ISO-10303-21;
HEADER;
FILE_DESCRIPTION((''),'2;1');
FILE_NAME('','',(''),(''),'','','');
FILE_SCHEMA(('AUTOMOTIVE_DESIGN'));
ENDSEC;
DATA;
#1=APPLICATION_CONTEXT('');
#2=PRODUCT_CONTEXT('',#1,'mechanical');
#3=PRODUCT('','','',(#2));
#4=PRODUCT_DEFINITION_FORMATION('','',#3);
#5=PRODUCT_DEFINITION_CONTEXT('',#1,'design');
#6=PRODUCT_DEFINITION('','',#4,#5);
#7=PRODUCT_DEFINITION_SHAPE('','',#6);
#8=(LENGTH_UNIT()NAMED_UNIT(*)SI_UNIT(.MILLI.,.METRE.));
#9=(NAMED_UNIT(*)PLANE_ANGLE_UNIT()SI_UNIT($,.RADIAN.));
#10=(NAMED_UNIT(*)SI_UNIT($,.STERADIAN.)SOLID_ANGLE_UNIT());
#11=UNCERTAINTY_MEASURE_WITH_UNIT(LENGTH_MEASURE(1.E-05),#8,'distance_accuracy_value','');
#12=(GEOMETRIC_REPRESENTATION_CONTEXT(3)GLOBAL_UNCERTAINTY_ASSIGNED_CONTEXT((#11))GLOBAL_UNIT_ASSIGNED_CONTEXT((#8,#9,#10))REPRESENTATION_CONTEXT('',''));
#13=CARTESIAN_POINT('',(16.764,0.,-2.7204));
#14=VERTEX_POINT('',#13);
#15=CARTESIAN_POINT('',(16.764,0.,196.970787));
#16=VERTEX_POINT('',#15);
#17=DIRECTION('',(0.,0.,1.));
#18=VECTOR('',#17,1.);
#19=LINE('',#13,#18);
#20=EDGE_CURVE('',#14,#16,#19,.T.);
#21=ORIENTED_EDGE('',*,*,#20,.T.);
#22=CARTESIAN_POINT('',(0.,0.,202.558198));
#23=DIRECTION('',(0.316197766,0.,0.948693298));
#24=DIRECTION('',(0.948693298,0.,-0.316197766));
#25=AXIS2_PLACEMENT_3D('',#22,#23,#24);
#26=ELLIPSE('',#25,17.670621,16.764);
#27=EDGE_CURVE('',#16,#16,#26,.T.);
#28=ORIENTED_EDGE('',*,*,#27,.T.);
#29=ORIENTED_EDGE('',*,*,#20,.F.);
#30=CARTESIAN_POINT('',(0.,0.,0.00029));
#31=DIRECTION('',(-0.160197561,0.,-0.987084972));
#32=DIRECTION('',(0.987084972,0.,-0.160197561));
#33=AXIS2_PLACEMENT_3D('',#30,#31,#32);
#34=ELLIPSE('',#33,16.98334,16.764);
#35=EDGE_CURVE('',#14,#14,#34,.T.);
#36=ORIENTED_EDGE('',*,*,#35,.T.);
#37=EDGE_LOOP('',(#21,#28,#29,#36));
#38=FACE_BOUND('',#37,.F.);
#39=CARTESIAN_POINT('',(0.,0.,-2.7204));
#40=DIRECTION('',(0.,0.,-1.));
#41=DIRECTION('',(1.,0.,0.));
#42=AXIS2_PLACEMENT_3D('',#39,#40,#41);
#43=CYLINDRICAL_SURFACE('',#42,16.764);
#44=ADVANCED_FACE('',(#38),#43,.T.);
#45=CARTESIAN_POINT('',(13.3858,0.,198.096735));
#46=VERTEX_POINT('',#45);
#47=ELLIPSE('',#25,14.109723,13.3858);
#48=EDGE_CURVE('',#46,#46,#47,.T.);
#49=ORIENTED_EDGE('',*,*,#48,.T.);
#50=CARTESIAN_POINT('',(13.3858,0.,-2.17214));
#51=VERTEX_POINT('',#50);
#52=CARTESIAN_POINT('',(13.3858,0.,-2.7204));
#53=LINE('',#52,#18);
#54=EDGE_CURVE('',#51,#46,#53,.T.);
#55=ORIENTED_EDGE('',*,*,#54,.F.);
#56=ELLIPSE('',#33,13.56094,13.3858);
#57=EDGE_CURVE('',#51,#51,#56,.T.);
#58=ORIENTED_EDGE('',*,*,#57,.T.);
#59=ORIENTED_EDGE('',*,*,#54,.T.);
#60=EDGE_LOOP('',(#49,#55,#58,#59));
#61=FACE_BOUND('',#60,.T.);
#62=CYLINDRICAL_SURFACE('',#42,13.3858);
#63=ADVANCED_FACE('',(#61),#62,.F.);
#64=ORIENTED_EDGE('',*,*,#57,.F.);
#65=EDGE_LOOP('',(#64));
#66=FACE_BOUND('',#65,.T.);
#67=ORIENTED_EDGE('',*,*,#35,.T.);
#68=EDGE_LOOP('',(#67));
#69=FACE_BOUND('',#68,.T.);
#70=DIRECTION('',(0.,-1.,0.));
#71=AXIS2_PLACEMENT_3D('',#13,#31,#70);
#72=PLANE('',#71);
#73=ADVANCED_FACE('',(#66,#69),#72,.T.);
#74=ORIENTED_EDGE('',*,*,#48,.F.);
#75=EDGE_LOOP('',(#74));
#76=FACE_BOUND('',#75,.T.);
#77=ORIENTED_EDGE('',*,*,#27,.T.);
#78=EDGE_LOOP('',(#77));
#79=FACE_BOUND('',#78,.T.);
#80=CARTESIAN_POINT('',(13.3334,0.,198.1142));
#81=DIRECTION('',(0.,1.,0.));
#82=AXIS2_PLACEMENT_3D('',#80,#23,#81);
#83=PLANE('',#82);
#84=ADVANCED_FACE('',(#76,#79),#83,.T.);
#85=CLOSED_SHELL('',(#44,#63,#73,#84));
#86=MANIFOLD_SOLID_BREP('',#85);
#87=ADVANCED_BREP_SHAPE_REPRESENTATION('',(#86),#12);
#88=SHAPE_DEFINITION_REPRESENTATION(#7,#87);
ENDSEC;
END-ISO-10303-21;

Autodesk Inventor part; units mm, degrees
ref_plane "Start plane" through (0, 0, -2.7204) normal (0, 0, 1) x (1, 0, 0)
ref_plane "End plane" through (0, 0, 208.1466) normal (0, 0, 1) x (1, 0, 0)
sketch "Sketch" plane through (0, 0, 0) normal (0, 0, 1) x (1, 0, 0)
  circle A0 centre (0, 0) radius 13.3858
  circle A1 centre (0, 0) radius 16.764
  dimension "d0" = 33.528
  dimension "d1" = 3.3782
extrude "Body" add sketch "Sketch" along normal up to surface (210.8671 mm away) from surface at -2.7204
sketch "Sketch3" plane through (0, 0, 0) normal (0, 0, 1) x (1, 0, 0)
  line L0 (0, 0) -> (10, 0)
ref_plane "Work Plane3" through (0, 0, 0) normal (0, -1, 0) x (1, 0, 0)
ref_plane "Work Plane4" through (13.3334, 0, 198.1142) normal (0.3162, 0, 0.9487) x (0.9487, 0, -0.3162)
split "Split1" plane through (13.3334, 0, 198.1142) removes the side toward (0.3162, 0, 0.9487)
ref_plane "Work Plane5" through (16.764, 0, -2.7204) normal (-0.1602, 0, -0.9871) x (-0.9871, 0, 0.1602)
split "Split2" plane through (16.764, 0, -2.7204) removes the side toward (-0.1602, 0, -0.9871)
sketch "Sketch4" plane through (0, 0, 0) normal (0, -1, 0) x (1, 0, 0)
  line L0 (-2, -2.7204) -> (12, -2.7204) projected
  line L1 (-2, 208.1466) -> (12, 208.1466) projected
  dimension "d7" = 210.8671
equation "\"d0\" = G_H"
equation "\"d1\" = G_T"
equation "\"d2\" = G_L"
equation "\"G_H\" = 33.528"
equation "\"G_T\" = 3.3782"
equation "\"G_L\" = d7"
equation "\"G_OFFSET_START\" = 2.72042"
equation "\"G_OFFSET_END\" = 50.03276"
equation "\"d4\" = -G_OFFSET_START"
equation "\"d5\" = G_OFFSET_END + B_L"
equation "\"B_L\" = 158.11388"
properties part number "ANSI - 1 x 0.133 - 8.302" material "Steel, Mild"
